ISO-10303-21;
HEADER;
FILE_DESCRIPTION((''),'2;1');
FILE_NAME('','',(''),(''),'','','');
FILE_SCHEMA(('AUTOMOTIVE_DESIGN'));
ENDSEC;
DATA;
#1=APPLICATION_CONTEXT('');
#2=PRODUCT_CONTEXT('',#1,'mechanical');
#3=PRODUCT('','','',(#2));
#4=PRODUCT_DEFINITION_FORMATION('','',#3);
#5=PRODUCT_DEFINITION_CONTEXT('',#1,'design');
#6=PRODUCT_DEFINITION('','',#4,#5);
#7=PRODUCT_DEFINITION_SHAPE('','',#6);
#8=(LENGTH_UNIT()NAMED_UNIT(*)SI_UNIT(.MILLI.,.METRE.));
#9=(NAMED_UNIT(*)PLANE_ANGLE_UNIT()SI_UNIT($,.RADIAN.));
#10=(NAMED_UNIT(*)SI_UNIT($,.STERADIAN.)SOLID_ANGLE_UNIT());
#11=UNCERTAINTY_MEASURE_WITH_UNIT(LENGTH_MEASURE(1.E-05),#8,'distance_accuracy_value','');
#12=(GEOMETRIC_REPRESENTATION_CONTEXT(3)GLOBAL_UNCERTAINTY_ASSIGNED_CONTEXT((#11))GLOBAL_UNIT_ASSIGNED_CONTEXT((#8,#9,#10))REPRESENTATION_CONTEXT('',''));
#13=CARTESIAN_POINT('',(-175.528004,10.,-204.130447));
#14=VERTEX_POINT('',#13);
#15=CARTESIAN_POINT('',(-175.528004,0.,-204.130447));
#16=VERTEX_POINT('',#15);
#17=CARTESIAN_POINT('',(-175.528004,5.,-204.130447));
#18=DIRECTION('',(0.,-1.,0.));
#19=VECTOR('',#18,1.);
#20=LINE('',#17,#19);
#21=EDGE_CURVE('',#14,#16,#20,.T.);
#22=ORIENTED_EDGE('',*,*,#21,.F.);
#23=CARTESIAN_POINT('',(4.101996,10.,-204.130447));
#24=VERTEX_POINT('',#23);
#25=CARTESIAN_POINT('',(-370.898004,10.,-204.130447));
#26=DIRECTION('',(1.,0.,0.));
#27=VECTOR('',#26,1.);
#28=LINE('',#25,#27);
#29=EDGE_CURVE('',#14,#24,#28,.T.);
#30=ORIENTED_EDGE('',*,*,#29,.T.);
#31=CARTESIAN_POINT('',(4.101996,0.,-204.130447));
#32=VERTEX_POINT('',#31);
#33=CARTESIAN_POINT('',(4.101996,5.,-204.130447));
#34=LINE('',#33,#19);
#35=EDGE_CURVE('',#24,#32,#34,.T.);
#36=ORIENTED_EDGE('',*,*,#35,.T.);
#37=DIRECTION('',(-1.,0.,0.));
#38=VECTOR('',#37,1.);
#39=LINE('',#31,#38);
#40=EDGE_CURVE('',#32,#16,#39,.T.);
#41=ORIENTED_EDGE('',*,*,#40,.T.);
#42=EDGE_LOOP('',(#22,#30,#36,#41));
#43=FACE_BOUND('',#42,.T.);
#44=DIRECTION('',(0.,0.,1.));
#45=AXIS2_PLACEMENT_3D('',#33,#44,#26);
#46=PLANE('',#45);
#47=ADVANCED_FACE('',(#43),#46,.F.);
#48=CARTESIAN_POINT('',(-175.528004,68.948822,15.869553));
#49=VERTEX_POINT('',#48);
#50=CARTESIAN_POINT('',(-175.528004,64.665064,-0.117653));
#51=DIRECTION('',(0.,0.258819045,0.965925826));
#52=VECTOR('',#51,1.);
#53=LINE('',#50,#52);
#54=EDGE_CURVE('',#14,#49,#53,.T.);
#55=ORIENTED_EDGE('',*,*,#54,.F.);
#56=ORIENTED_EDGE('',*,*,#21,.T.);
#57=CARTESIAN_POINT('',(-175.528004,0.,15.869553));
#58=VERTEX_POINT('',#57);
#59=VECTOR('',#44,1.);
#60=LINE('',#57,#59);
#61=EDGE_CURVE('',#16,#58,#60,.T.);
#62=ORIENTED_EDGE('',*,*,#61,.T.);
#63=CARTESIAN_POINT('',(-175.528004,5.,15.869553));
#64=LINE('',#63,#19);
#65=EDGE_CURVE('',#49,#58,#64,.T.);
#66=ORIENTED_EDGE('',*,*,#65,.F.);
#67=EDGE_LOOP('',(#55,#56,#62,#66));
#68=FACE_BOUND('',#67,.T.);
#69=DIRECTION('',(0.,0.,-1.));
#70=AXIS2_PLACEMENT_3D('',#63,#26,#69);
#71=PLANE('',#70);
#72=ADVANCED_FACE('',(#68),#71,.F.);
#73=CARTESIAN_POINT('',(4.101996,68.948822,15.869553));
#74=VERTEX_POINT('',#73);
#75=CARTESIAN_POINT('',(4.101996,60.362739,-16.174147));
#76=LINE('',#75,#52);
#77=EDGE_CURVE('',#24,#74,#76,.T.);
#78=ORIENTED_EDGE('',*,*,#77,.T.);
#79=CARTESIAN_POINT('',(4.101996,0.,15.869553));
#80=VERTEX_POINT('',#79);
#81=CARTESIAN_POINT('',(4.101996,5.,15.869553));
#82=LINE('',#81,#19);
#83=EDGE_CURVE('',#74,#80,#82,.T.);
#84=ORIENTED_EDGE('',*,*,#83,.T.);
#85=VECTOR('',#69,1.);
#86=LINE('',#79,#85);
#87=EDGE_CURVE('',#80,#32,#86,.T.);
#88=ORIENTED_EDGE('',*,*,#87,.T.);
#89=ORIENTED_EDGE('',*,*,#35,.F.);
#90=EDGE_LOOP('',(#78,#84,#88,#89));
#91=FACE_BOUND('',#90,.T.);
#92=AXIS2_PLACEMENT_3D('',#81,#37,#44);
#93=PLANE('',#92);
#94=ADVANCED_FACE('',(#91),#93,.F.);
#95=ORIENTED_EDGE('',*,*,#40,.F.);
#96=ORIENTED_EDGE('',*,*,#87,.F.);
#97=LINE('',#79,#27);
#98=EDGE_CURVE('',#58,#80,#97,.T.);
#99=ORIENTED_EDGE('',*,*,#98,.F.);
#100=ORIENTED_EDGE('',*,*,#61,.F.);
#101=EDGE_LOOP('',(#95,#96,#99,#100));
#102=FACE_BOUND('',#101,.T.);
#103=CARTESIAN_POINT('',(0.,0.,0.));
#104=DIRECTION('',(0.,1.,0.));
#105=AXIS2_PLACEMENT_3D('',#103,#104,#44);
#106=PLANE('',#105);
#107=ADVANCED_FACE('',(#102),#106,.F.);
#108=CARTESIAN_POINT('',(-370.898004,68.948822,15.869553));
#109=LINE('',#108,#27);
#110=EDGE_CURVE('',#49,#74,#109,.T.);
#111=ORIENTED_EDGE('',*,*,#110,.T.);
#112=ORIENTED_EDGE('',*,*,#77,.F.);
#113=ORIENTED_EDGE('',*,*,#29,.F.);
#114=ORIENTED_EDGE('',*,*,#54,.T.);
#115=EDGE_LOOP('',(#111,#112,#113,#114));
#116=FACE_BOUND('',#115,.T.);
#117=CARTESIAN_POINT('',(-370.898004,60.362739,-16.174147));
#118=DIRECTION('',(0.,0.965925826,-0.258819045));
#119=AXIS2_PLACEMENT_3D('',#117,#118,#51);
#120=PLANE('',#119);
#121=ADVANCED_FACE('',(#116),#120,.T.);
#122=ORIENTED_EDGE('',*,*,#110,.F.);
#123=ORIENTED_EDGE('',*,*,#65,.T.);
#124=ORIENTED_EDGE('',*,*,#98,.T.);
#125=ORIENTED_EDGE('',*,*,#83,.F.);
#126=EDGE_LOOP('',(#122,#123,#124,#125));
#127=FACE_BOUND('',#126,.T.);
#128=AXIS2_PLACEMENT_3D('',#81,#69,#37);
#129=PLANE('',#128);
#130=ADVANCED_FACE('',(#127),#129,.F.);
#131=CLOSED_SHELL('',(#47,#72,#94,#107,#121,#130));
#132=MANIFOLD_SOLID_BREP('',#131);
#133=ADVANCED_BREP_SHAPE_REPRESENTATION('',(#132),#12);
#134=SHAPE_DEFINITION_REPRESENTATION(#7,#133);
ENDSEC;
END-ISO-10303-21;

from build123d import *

# Parameters (mm, degrees)
SKETCH_1_W          = 179.63
SKETCH_1_H          = 220
EXTRUDE_1_DEPTH     = 5
SKETCH_2_W          = 179.63
SKETCH_2_H          = 220
EXTRUDE_2_DEPTH     = 103
CUT_EXTRUDE_1_DEPTH = 375


with BuildPart() as part:
    # Эскиз1 → Бобышка-Вытянуть1 (new body)
    with BuildSketch(Plane(origin=(0, 0, 0), x_dir=(1, 0, 0), z_dir=(0, 1, 0))):
        with Locations((-85.713003719, 94.130447377)):
            Rectangle(SKETCH_1_W, SKETCH_1_H)
    extrude(amount=EXTRUDE_1_DEPTH)

    # Эскиз2 → Бобышка-Вытянуть2 (add)
    with BuildSketch(Plane(origin=(0, 5, 0), x_dir=(1, 0, 0), z_dir=(0, 1, 0))):
        with Locations((-85.713003719, 94.130447377)):
            Rectangle(SKETCH_2_W, SKETCH_2_H)
    extrude(amount=EXTRUDE_2_DEPTH)

    # Эскиз3 → Вырез-Вытянуть1 (cut)
    with BuildSketch(Plane(origin=(4.101996281, 0, 0), x_dir=(0, 0, -1), z_dir=(1, 0, 0))):
        Polygon((-5.789329855, 66.247834785), (204.130447377, 10), (204.130447377, 108), (-15.869552623, 108), (-15.869552623, 68.948822335), align=None)
    extrude(amount=-CUT_EXTRUDE_1_DEPTH, mode=Mode.SUBTRACT)


solid = part.part
